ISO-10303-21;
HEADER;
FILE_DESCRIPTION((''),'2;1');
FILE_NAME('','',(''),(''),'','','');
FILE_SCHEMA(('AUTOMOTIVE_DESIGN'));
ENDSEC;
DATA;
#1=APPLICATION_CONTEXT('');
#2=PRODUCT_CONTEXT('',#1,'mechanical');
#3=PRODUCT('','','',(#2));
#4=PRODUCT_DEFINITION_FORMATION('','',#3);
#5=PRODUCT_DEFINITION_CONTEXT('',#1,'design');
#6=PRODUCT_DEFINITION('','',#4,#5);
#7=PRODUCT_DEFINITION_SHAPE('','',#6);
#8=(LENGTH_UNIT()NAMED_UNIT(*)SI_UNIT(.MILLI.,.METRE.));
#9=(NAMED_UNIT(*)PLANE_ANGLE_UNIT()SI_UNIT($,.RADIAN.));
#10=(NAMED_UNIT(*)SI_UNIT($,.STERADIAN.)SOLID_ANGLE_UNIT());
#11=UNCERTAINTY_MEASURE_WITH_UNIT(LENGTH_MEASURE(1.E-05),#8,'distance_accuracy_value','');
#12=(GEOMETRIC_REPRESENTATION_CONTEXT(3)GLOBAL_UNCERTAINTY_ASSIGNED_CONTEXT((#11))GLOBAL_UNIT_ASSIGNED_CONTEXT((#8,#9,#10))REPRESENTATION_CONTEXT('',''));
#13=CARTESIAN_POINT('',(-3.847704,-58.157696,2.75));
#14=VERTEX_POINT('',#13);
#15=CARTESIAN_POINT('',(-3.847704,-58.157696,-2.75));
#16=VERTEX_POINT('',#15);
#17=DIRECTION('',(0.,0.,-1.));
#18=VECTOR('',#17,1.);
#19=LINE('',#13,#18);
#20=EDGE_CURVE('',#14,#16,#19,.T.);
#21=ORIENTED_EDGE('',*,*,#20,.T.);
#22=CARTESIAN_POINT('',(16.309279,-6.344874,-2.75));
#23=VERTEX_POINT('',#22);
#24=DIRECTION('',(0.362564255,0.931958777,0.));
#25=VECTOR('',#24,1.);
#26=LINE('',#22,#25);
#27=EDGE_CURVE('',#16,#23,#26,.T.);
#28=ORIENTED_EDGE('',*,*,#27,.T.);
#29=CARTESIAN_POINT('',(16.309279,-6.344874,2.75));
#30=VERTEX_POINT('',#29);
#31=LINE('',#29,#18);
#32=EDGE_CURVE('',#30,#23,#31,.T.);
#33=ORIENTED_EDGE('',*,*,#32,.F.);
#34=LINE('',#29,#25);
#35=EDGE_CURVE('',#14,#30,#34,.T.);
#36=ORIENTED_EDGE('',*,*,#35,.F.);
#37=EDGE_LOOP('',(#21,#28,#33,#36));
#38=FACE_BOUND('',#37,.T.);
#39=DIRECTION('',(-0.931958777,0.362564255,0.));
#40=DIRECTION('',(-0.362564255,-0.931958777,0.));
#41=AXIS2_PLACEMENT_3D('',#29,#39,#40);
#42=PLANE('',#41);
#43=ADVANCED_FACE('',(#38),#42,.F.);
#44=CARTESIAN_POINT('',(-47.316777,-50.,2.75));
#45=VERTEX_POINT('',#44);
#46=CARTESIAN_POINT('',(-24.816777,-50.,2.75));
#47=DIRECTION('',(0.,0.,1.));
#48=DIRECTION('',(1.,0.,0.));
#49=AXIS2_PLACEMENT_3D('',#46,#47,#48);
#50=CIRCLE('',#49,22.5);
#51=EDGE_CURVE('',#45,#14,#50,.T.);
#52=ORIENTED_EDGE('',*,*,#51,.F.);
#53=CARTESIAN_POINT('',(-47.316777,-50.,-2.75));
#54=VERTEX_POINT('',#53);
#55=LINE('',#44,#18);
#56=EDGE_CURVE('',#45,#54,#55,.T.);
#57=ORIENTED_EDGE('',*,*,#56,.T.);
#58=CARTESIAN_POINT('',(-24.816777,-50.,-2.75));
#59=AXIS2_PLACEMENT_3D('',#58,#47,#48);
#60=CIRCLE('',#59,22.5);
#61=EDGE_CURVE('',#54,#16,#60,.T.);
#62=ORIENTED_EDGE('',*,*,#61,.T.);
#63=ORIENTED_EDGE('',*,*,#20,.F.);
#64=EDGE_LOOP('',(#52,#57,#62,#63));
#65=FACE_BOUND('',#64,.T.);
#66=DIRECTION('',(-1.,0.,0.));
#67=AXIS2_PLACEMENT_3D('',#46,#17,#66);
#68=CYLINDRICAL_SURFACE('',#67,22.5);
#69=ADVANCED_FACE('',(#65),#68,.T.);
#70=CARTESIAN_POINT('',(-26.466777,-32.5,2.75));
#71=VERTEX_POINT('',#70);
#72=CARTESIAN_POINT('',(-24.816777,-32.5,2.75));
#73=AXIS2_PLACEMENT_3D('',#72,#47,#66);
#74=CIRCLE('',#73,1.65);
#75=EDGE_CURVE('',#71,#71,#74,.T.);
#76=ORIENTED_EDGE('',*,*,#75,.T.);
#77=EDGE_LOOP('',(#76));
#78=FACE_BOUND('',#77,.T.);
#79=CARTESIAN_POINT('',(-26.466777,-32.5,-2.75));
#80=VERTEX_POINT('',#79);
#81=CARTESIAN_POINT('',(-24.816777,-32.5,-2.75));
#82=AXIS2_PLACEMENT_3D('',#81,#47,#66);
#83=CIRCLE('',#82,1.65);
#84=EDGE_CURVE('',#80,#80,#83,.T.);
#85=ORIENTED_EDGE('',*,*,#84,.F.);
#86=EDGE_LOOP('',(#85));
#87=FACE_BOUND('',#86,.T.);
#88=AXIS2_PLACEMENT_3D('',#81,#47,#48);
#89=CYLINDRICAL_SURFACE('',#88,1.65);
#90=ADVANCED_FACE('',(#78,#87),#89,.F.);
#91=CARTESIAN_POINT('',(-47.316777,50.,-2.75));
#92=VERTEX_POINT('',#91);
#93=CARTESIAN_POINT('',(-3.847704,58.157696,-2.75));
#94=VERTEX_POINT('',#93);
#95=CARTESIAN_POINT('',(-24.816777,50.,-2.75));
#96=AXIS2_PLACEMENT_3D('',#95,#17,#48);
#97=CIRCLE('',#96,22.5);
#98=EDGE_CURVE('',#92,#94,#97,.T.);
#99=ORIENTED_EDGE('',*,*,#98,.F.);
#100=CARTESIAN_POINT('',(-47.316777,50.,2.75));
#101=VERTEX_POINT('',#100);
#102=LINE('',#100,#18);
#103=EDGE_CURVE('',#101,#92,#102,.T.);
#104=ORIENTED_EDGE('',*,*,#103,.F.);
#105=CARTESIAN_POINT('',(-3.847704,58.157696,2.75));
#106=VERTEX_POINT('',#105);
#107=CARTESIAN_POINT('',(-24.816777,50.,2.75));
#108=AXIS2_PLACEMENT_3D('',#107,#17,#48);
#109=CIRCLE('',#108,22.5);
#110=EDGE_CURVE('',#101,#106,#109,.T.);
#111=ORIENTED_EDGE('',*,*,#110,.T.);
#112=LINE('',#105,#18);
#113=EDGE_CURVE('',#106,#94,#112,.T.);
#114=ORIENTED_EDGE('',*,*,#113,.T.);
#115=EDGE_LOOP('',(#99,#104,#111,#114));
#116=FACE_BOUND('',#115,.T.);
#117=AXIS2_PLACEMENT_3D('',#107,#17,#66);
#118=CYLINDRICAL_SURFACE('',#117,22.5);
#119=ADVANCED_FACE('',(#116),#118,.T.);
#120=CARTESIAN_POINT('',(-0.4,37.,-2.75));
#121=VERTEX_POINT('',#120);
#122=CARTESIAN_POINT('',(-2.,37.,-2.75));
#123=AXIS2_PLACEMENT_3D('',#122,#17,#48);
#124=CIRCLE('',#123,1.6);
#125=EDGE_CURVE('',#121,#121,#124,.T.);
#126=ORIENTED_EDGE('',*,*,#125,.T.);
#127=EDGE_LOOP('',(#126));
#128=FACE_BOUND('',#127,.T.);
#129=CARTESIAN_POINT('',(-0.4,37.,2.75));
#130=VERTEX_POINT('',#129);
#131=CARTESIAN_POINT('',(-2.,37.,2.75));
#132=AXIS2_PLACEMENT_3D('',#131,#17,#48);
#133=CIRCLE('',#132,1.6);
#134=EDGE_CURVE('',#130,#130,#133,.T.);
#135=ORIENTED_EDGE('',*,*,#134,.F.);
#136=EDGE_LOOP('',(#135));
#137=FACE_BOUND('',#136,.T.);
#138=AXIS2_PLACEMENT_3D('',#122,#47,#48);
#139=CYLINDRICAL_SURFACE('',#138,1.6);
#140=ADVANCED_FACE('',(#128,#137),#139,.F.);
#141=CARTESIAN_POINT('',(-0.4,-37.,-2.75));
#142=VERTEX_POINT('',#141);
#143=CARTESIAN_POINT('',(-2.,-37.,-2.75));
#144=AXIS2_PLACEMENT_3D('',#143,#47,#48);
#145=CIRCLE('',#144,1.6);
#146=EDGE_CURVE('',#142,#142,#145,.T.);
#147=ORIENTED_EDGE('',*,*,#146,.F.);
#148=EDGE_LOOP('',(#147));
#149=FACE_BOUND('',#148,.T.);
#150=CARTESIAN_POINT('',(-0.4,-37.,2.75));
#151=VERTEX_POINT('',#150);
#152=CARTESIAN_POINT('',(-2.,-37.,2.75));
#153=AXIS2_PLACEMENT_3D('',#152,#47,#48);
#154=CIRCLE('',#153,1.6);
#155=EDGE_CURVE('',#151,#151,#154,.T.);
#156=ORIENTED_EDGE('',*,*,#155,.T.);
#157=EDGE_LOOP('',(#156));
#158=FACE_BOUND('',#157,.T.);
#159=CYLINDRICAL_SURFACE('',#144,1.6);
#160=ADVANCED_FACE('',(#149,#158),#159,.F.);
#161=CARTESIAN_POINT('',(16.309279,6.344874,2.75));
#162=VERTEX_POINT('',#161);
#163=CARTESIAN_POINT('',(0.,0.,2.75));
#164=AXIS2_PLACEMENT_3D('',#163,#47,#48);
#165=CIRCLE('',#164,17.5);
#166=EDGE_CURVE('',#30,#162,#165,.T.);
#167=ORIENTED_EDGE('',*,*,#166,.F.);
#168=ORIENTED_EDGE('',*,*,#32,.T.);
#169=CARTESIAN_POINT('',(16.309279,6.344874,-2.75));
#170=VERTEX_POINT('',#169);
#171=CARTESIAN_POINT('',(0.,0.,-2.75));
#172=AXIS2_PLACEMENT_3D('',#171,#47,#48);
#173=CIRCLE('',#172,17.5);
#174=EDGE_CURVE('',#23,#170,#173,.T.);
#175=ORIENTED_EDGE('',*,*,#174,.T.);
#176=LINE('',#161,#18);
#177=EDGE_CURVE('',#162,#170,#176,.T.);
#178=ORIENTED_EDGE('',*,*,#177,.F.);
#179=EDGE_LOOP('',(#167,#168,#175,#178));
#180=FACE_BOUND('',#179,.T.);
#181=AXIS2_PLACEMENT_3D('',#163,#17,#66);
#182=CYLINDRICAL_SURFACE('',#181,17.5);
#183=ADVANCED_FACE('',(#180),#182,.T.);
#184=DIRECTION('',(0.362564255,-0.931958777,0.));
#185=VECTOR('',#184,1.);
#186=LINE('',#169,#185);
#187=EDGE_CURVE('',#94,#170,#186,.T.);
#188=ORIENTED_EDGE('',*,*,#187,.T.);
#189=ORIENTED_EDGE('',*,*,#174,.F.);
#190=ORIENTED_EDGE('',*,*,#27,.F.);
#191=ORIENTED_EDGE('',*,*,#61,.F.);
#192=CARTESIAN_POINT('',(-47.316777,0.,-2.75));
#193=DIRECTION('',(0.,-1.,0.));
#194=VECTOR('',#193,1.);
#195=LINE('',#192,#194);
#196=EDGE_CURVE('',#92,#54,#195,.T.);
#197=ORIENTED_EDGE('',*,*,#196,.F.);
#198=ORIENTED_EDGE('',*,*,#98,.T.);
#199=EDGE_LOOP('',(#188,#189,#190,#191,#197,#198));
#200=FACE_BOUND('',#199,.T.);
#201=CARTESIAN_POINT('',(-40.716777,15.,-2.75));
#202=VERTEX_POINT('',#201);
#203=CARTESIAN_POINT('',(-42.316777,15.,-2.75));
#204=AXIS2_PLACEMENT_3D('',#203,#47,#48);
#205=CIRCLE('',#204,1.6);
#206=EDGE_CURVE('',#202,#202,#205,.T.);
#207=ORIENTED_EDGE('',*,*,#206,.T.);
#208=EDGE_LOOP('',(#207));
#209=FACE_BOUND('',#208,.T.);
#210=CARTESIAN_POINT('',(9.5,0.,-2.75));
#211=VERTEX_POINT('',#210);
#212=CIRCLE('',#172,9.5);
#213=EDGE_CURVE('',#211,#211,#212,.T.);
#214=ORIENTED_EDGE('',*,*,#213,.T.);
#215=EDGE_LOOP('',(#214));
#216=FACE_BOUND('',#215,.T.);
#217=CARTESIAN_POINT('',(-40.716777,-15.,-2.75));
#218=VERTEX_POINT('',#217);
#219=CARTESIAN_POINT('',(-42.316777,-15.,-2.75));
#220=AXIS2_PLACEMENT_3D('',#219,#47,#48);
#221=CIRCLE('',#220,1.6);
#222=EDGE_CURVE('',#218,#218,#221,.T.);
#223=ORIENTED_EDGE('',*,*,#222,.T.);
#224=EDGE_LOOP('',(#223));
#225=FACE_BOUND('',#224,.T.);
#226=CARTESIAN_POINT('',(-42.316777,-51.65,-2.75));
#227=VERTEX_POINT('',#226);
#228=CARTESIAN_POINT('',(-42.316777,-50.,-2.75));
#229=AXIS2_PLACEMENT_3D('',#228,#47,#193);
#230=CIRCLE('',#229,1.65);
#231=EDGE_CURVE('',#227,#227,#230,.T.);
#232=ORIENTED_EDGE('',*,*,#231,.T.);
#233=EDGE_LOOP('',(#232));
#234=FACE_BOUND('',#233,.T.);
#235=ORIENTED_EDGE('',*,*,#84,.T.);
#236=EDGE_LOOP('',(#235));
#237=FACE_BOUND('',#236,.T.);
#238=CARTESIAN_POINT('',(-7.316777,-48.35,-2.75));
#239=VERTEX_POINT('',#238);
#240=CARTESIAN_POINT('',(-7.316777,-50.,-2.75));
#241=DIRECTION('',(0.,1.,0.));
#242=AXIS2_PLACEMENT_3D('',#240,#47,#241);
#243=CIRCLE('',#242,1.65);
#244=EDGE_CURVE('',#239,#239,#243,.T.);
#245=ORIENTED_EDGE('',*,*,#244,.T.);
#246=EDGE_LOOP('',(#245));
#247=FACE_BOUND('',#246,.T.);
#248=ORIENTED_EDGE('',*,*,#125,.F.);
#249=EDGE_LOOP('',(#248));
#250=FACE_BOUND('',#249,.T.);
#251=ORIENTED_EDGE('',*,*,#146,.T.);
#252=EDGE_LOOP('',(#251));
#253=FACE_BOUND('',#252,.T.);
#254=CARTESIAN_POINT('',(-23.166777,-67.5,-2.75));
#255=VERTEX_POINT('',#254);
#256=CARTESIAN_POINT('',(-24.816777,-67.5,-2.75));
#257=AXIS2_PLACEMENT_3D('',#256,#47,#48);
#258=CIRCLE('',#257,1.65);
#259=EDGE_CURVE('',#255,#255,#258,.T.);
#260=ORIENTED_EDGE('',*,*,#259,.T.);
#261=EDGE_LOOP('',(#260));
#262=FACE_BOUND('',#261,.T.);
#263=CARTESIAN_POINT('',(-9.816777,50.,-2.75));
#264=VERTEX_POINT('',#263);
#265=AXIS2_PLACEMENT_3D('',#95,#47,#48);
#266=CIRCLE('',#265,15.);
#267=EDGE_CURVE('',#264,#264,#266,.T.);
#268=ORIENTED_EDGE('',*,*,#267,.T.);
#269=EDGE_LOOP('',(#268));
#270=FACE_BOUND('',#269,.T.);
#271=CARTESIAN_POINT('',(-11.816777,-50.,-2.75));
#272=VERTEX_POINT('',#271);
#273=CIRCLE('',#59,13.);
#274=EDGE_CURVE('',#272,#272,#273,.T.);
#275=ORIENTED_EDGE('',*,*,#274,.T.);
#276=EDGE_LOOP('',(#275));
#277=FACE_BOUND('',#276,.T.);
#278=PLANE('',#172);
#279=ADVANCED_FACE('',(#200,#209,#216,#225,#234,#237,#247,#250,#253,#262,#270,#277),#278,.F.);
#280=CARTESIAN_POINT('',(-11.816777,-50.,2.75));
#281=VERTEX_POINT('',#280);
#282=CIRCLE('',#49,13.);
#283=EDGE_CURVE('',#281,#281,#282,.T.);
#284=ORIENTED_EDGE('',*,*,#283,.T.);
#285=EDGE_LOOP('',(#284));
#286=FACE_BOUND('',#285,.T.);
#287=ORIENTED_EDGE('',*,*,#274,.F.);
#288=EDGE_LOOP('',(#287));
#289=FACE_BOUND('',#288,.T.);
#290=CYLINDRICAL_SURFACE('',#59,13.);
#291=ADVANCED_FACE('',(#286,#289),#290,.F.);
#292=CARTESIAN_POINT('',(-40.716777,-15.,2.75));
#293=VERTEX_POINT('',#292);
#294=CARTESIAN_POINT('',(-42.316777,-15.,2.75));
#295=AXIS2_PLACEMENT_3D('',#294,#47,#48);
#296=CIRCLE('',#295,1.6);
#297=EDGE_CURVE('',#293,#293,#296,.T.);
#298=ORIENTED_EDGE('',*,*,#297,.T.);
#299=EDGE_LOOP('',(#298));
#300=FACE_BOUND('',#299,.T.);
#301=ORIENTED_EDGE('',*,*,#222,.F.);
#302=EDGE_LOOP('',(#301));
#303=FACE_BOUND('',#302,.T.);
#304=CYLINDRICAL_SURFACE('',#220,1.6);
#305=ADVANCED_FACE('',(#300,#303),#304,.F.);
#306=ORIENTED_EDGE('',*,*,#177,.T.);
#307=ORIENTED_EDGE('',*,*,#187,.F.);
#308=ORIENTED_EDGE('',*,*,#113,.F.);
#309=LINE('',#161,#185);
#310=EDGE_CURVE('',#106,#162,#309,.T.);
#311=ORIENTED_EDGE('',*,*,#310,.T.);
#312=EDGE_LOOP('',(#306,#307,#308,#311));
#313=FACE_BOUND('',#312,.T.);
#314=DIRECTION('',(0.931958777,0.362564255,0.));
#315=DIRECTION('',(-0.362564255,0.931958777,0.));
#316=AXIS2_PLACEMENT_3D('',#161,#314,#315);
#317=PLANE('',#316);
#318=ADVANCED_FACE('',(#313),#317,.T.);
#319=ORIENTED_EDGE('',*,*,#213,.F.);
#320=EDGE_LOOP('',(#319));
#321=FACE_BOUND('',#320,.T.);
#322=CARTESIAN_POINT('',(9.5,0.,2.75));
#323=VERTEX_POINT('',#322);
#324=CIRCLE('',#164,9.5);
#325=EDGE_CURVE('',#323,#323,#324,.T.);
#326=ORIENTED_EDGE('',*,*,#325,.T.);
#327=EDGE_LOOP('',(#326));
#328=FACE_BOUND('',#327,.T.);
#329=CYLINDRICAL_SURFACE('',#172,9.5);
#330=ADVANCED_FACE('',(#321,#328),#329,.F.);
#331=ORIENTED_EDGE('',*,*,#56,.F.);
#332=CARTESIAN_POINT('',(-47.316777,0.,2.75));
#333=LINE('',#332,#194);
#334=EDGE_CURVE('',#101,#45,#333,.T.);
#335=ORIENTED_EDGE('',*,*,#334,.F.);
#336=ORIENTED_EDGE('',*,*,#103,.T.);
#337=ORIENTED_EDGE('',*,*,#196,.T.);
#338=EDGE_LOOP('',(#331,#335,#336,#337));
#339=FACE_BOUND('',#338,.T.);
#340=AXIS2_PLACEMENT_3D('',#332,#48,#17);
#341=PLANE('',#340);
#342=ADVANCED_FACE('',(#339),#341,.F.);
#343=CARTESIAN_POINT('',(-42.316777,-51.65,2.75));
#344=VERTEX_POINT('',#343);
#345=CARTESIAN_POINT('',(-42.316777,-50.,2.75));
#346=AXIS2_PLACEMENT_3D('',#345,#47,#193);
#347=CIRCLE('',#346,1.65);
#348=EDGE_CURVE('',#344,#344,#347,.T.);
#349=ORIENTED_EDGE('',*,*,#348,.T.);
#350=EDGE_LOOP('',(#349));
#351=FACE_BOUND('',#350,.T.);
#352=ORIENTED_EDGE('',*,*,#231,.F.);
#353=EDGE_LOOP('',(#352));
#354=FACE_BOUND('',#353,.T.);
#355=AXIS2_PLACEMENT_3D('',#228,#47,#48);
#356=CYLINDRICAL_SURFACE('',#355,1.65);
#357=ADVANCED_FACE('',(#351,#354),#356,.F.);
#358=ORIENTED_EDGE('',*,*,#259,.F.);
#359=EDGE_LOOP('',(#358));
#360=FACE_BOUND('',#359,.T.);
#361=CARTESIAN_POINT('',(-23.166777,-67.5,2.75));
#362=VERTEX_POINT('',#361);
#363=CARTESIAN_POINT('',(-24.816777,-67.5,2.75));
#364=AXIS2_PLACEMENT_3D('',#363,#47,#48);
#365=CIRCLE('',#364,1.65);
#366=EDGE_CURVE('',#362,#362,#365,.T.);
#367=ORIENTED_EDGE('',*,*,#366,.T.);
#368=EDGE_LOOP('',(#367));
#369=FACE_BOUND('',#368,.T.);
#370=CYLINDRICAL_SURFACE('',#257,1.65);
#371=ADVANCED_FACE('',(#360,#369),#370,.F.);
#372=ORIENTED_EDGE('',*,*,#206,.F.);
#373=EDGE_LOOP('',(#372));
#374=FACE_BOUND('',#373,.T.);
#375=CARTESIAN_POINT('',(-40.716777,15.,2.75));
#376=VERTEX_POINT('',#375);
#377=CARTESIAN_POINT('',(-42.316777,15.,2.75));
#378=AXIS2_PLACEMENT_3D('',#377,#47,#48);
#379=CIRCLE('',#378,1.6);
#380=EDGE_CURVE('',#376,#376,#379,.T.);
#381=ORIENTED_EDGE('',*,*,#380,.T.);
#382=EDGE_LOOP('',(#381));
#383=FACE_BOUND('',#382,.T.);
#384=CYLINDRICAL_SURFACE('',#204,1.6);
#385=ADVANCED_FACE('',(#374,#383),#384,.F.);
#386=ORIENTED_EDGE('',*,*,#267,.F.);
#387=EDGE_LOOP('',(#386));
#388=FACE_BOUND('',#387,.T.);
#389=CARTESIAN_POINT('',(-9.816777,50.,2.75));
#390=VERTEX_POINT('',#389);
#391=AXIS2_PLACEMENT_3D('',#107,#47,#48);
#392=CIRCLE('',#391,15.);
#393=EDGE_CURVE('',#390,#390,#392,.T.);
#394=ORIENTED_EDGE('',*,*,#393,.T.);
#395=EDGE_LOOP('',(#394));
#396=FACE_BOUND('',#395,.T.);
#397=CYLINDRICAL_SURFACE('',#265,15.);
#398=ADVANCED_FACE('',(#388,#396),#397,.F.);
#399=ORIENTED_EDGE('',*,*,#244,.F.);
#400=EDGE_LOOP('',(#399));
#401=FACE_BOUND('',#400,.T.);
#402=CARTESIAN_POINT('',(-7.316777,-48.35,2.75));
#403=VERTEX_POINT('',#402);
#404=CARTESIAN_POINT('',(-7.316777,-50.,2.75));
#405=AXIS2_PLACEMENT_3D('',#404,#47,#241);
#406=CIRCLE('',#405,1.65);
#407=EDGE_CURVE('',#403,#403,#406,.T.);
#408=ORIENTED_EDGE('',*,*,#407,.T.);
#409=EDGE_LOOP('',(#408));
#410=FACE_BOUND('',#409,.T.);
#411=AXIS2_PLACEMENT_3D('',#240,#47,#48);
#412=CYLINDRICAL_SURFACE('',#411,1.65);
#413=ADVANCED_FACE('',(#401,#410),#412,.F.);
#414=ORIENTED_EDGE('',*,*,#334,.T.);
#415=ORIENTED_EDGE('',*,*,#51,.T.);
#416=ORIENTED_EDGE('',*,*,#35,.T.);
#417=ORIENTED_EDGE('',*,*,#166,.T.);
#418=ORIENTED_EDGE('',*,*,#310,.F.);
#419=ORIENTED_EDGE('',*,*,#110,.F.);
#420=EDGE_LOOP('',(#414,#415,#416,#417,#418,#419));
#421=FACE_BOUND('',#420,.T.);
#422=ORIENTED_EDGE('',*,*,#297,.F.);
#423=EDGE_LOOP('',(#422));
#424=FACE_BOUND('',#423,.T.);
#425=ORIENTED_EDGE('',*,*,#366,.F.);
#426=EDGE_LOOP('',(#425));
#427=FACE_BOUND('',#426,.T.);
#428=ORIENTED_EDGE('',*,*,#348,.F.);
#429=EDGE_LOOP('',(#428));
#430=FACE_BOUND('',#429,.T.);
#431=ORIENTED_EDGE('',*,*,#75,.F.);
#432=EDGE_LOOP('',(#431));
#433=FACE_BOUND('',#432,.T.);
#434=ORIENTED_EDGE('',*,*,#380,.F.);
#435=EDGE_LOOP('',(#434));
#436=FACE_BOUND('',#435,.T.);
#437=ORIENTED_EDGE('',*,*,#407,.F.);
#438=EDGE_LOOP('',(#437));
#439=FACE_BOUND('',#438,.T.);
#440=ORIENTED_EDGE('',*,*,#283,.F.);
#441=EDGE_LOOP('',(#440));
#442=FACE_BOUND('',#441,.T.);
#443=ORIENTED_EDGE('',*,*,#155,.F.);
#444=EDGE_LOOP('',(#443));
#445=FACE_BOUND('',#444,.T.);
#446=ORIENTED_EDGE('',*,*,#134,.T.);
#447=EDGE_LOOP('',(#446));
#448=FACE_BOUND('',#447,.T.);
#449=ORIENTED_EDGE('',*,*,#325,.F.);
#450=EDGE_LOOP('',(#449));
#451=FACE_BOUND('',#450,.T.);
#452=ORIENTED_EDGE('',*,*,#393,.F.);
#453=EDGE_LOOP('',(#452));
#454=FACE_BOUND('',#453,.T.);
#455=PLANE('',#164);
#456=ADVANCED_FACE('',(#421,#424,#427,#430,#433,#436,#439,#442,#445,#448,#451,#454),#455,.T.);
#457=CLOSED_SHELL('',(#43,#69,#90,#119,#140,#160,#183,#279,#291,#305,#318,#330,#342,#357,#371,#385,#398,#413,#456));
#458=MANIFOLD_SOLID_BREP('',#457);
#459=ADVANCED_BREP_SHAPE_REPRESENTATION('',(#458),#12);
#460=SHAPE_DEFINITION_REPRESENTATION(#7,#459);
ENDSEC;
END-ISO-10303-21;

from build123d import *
from build123d.topology import SkipClean

# Parameters (mm, degrees)
EXTRUDE_1_DEPTH          = 2.75
SKETCH_2_R               = 9.5
CUT_EXTRUDE_1_DEPTH      = 87.748932825
SKETCH_3_R               = 1.65
CUT_EXTRUDE_2_DEPTH      = 87.748932825
CUT_EXTRUDE_3_DEPTH      = 87.748932825
CUT_EXTRUDE_3_DEPTH_BACK = 87.748932825
SKETCH_4_R               = 13
PATTERN_CIRCULAR_1_COUNT = 4
SKETCH_6_R               = 1.6
CUT_EXTRUDE_5_DEPTH      = 87.748932825
CUT_EXTRUDE_4_DEPTH      = 87.748932825
CUT_EXTRUDE_4_DEPTH_BACK = 87.748932825
SKETCH_5_R               = 15
CUT_EXTRUDE_7_DEPTH      = 87.748932825
CUT_EXTRUDE_7_DEPTH_BACK = 87.748932825
SKETCH_8_R               = 1.6


with BuildPart() as part:
    # ｽｹｯﾁ1 → ﾎﾞｽ - 押し出し1 (new, symmetric)
    with BuildSketch(Plane.XY):
        with BuildLine():
            Line((17.5, 0), (-47.316776584, 0))
            Line((-47.316776584, 0), (-47.316776584, -50))
            ThreePointArc((-47.316776584, -50), (-28.966828956, -72.113956347), (-3.847704112, -58.157695734))
            Line((-3.847704112, -58.157695734), (16.309278589, -6.34487446))
            ThreePointArc((16.309278589, -6.34487446), (17.199743825, -3.227818512), (17.5, 0))
        make_face()
    extrude_1 = extrude(amount=EXTRUDE_1_DEPTH, both=True)

    # ｽｹｯﾁ2 → ｶｯﾄ - 押し出し1 (cut, symmetric)
    with BuildSketch(Plane.XY.offset(2.75)):
        Circle(SKETCH_2_R)
    cut_extrude_1 = extrude(amount=CUT_EXTRUDE_1_DEPTH, both=True, mode=Mode.SUBTRACT)

    # ｽｹｯﾁ3 → ｶｯﾄ - 押し出し2 (cut, symmetric)
    with BuildSketch(Plane.XY.offset(2.75)):
        with Locations((-24.816776584, -67.5)):
            Circle(SKETCH_3_R)
    cut_extrude_2 = extrude(amount=CUT_EXTRUDE_2_DEPTH, both=True, mode=Mode.SUBTRACT)

    # ｽｹｯﾁ4 → ｶｯﾄ - 押し出し3 (cut, two sides: drawn at the far end of the back side and taken through both)
    with BuildSketch(Plane.XY.offset(2.75).offset(-CUT_EXTRUDE_3_DEPTH_BACK)):
        with Locations((-24.816776584, -50)):
            Circle(SKETCH_4_R)
    extrude(amount=CUT_EXTRUDE_3_DEPTH + CUT_EXTRUDE_3_DEPTH_BACK, mode=Mode.SUBTRACT)

    # 円形ﾊﾟﾀｰﾝ1: ｶｯﾄ - 押し出し2 ×4 about axis
    pattern_circular_1_axis = Axis((-24.816776584, -50, 0), (0, 0, 1))
    for i in range(1, PATTERN_CIRCULAR_1_COUNT):
        add(cut_extrude_2.rotate(pattern_circular_1_axis, i * 360 / PATTERN_CIRCULAR_1_COUNT), mode=Mode.SUBTRACT)

    # ｽｹｯﾁ6 → ｶｯﾄ - 押し出し5 (cut, through all)
    with BuildSketch(Plane.XY.offset(2.75)):
        with Locations((-2, -37)):
            Circle(SKETCH_6_R)
    cut_extrude_5 = extrude(amount=-CUT_EXTRUDE_5_DEPTH, mode=Mode.SUBTRACT)

    # ﾐﾗｰ1: ﾎﾞｽ - 押し出し1, ｶｯﾄ - 押し出し1, ｶｯﾄ - 押し出し5 across plane
    with SkipClean():  # the faces are left unmerged after this step: merging them gives an invalid solid
        add(extrude_1.mirror(Plane.ZX))
        add(cut_extrude_1.mirror(Plane.ZX), mode=Mode.SUBTRACT)
        add(cut_extrude_5.mirror(Plane.ZX), mode=Mode.SUBTRACT)

    # ｽｹｯﾁ5 → ｶｯﾄ - 押し出し4 (cut, two sides: drawn at the far end of the back side and taken through both)
    with SkipClean():  # the faces are left unmerged after this step: merging them gives an invalid solid
        with BuildSketch(Plane.XY.offset(2.75).offset(-CUT_EXTRUDE_4_DEPTH_BACK)):
            with Locations((-24.816776584, 50)):
                Circle(SKETCH_5_R)
        extrude(amount=CUT_EXTRUDE_4_DEPTH + CUT_EXTRUDE_4_DEPTH_BACK, mode=Mode.SUBTRACT)

    # ｽｹｯﾁ8 → ｶｯﾄ - 押し出し7 (cut, two sides: drawn at the far end of the back side and taken through both)
    with SkipClean():  # the faces are left unmerged after this step: merging them gives an invalid solid
        with BuildSketch(Plane.XY.offset(2.75).offset(-CUT_EXTRUDE_7_DEPTH_BACK)):
            with Locations((-42.316776584, 15)):
                Circle(SKETCH_8_R)
            with Locations((-42.316776584, -15)):
                Circle(SKETCH_8_R)
        extrude(amount=CUT_EXTRUDE_7_DEPTH + CUT_EXTRUDE_7_DEPTH_BACK, mode=Mode.SUBTRACT)


solid = part.part
